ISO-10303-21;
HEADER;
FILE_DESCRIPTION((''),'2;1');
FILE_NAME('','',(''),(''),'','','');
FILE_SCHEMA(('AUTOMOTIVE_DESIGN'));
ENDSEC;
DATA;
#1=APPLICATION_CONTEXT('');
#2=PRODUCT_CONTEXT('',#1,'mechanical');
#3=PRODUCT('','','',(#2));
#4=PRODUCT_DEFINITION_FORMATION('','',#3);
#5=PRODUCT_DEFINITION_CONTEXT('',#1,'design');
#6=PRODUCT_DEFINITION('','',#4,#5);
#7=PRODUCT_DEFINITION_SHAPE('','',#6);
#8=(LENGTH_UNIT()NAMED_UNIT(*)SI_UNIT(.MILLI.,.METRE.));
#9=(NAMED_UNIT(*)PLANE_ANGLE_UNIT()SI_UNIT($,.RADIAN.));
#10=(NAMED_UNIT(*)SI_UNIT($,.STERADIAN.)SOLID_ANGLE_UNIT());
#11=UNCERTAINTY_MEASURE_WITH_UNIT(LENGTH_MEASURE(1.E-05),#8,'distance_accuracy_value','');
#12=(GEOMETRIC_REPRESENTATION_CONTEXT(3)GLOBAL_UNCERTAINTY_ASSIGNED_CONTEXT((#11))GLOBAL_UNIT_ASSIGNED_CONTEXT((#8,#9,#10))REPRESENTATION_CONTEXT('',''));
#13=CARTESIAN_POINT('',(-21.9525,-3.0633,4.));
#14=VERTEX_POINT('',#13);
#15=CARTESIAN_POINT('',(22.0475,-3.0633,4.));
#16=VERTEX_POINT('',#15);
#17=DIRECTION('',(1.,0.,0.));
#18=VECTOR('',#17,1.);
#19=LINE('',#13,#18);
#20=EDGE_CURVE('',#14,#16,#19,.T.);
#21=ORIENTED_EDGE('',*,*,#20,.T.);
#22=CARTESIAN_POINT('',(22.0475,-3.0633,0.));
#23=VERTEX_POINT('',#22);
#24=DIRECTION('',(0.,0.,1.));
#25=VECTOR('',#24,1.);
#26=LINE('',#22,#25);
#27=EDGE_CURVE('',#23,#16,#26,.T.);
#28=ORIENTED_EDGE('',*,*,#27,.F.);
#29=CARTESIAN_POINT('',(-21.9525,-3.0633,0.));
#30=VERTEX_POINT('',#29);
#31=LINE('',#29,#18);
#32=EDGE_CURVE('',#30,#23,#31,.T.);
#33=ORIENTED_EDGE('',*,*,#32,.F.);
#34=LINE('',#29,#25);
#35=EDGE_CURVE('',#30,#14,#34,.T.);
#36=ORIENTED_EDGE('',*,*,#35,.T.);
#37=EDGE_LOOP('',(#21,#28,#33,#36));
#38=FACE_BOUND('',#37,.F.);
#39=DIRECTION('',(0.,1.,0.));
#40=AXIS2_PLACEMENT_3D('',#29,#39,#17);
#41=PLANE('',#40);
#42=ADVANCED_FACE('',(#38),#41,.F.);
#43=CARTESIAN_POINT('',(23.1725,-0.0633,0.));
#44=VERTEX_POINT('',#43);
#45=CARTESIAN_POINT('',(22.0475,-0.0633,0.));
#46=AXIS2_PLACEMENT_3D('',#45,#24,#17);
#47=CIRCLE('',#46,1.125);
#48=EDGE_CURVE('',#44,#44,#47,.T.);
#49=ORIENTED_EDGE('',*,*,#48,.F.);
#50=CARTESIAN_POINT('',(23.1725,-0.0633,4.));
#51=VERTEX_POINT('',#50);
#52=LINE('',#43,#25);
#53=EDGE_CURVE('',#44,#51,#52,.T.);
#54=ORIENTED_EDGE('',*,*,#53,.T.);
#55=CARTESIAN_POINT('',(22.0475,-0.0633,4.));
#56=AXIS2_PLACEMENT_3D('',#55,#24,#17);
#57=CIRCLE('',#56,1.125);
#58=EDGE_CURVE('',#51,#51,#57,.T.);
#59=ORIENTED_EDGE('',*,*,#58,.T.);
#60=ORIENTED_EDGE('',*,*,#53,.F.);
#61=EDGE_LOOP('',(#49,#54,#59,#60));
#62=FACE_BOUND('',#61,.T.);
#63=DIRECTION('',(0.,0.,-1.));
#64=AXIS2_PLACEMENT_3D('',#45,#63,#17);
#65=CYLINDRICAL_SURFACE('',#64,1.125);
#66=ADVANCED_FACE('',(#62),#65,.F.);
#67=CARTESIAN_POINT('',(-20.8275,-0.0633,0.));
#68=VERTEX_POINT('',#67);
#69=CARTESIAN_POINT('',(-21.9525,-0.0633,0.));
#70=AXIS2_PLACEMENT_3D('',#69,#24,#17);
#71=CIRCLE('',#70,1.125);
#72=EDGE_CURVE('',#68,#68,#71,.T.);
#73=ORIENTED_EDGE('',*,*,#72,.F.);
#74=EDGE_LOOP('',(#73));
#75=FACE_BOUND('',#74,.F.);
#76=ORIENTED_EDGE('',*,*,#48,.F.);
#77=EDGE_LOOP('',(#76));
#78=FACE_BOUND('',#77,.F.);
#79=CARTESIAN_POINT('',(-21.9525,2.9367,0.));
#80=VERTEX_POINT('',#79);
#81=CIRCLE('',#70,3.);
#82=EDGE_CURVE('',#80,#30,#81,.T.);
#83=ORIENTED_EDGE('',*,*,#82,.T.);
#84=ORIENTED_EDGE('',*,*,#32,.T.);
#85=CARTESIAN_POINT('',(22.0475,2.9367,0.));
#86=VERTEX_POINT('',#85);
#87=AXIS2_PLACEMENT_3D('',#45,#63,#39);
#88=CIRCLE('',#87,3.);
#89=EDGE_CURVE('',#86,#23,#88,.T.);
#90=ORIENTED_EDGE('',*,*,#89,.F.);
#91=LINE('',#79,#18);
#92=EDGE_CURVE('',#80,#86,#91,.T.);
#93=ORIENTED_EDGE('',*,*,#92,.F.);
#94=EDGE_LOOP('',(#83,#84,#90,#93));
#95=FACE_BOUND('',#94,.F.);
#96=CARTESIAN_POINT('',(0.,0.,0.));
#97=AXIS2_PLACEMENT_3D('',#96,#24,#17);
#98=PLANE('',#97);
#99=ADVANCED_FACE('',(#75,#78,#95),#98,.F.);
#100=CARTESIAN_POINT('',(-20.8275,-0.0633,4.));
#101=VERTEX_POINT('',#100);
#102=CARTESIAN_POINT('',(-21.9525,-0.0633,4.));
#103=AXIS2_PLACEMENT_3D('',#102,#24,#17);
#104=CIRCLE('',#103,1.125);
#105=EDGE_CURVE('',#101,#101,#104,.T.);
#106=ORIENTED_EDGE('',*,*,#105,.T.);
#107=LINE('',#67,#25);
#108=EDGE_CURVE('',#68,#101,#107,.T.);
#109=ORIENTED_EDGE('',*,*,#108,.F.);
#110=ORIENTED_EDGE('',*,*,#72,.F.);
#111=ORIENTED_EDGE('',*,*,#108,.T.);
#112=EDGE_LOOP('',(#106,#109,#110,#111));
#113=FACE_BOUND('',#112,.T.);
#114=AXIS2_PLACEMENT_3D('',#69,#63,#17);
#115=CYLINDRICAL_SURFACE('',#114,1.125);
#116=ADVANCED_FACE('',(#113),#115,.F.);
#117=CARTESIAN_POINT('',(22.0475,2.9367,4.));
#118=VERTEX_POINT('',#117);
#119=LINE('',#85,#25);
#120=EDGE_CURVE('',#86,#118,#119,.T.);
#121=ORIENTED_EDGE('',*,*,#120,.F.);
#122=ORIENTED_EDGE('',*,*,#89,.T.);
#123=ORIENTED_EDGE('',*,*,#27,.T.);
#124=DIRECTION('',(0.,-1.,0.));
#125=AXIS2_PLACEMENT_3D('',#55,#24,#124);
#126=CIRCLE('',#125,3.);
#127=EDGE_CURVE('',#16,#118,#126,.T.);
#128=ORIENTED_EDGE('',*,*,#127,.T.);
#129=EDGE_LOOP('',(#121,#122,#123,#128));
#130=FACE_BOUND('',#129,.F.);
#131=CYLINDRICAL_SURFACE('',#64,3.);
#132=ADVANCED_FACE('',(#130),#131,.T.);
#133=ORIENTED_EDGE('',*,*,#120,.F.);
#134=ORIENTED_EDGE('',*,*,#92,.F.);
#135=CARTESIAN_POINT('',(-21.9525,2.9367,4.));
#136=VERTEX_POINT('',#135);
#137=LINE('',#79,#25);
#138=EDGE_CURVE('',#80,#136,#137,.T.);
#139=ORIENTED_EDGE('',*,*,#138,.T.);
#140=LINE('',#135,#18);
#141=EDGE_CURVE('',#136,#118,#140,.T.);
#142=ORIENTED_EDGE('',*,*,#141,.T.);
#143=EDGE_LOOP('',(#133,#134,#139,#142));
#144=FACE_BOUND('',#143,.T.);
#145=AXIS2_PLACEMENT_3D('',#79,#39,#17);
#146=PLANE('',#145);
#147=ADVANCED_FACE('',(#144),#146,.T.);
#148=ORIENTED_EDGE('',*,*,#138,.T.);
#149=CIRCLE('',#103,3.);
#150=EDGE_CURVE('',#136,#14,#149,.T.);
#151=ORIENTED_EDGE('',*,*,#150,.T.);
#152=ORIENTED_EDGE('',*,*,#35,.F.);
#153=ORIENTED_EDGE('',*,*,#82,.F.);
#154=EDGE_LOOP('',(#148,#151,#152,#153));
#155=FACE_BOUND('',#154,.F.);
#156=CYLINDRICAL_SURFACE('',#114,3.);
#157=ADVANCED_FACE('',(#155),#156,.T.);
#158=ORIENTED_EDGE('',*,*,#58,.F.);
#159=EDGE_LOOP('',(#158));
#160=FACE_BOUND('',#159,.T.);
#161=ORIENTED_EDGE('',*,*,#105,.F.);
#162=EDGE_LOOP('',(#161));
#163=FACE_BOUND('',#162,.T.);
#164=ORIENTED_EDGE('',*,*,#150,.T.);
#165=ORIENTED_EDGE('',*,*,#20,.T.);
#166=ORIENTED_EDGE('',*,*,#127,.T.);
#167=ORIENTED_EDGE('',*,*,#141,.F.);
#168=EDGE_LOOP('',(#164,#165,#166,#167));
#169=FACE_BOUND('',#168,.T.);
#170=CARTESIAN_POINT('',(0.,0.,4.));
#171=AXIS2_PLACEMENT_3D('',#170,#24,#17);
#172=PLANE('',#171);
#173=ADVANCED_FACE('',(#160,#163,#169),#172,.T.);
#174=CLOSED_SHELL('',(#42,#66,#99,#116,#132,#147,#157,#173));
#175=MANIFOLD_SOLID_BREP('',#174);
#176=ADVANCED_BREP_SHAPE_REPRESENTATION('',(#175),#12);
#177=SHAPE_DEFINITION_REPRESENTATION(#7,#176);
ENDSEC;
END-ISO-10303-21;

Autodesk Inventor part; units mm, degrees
ref_plane "YZ Plane" through (0, 0, 0) normal (1, 0, 0) x (0, 1, 0)
ref_plane "XZ Plane" through (0, 0, 0) normal (0, 1, 0) x (-1, 0, 0)
ref_plane "XY Plane" through (0, 0, 0) normal (0, 0, 1) x (1, 0, 0)
sketch "Sketch1" plane through (0, 0, 0) normal (0, 0, 1) x (1, 0, 0)
  circle A0 centre (-21.9525, -0.0633) radius 1
  circle A1 centre (22.0475, -0.0633) radius 1
  circle A2 centre (-21.9525, -0.0633) radius 1.125
  circle A3 centre (22.0475, -0.0633) radius 1.125
  circle A4 centre (-21.9525, -0.0633) radius 3
  circle A5 centre (22.0475, -0.0633) radius 3
  line L0 (-21.9525, 2.9367) -> (22.0475, 2.9367)
  line L1 (-21.9525, -3.0633) -> (22.0475, -3.0633)
  point P0 (0, 0)
  dimension "d0" = 2.25
  dimension "d1" = 2.25
  dimension "d2" = 6
  dimension "d3" = 6
extrude "Extrusion1" add sketch "Sketch1" along normal blind 4 contours A4 | A4 L0 A5 L1 | A5
properties part number "servostrap_3DPrint"
